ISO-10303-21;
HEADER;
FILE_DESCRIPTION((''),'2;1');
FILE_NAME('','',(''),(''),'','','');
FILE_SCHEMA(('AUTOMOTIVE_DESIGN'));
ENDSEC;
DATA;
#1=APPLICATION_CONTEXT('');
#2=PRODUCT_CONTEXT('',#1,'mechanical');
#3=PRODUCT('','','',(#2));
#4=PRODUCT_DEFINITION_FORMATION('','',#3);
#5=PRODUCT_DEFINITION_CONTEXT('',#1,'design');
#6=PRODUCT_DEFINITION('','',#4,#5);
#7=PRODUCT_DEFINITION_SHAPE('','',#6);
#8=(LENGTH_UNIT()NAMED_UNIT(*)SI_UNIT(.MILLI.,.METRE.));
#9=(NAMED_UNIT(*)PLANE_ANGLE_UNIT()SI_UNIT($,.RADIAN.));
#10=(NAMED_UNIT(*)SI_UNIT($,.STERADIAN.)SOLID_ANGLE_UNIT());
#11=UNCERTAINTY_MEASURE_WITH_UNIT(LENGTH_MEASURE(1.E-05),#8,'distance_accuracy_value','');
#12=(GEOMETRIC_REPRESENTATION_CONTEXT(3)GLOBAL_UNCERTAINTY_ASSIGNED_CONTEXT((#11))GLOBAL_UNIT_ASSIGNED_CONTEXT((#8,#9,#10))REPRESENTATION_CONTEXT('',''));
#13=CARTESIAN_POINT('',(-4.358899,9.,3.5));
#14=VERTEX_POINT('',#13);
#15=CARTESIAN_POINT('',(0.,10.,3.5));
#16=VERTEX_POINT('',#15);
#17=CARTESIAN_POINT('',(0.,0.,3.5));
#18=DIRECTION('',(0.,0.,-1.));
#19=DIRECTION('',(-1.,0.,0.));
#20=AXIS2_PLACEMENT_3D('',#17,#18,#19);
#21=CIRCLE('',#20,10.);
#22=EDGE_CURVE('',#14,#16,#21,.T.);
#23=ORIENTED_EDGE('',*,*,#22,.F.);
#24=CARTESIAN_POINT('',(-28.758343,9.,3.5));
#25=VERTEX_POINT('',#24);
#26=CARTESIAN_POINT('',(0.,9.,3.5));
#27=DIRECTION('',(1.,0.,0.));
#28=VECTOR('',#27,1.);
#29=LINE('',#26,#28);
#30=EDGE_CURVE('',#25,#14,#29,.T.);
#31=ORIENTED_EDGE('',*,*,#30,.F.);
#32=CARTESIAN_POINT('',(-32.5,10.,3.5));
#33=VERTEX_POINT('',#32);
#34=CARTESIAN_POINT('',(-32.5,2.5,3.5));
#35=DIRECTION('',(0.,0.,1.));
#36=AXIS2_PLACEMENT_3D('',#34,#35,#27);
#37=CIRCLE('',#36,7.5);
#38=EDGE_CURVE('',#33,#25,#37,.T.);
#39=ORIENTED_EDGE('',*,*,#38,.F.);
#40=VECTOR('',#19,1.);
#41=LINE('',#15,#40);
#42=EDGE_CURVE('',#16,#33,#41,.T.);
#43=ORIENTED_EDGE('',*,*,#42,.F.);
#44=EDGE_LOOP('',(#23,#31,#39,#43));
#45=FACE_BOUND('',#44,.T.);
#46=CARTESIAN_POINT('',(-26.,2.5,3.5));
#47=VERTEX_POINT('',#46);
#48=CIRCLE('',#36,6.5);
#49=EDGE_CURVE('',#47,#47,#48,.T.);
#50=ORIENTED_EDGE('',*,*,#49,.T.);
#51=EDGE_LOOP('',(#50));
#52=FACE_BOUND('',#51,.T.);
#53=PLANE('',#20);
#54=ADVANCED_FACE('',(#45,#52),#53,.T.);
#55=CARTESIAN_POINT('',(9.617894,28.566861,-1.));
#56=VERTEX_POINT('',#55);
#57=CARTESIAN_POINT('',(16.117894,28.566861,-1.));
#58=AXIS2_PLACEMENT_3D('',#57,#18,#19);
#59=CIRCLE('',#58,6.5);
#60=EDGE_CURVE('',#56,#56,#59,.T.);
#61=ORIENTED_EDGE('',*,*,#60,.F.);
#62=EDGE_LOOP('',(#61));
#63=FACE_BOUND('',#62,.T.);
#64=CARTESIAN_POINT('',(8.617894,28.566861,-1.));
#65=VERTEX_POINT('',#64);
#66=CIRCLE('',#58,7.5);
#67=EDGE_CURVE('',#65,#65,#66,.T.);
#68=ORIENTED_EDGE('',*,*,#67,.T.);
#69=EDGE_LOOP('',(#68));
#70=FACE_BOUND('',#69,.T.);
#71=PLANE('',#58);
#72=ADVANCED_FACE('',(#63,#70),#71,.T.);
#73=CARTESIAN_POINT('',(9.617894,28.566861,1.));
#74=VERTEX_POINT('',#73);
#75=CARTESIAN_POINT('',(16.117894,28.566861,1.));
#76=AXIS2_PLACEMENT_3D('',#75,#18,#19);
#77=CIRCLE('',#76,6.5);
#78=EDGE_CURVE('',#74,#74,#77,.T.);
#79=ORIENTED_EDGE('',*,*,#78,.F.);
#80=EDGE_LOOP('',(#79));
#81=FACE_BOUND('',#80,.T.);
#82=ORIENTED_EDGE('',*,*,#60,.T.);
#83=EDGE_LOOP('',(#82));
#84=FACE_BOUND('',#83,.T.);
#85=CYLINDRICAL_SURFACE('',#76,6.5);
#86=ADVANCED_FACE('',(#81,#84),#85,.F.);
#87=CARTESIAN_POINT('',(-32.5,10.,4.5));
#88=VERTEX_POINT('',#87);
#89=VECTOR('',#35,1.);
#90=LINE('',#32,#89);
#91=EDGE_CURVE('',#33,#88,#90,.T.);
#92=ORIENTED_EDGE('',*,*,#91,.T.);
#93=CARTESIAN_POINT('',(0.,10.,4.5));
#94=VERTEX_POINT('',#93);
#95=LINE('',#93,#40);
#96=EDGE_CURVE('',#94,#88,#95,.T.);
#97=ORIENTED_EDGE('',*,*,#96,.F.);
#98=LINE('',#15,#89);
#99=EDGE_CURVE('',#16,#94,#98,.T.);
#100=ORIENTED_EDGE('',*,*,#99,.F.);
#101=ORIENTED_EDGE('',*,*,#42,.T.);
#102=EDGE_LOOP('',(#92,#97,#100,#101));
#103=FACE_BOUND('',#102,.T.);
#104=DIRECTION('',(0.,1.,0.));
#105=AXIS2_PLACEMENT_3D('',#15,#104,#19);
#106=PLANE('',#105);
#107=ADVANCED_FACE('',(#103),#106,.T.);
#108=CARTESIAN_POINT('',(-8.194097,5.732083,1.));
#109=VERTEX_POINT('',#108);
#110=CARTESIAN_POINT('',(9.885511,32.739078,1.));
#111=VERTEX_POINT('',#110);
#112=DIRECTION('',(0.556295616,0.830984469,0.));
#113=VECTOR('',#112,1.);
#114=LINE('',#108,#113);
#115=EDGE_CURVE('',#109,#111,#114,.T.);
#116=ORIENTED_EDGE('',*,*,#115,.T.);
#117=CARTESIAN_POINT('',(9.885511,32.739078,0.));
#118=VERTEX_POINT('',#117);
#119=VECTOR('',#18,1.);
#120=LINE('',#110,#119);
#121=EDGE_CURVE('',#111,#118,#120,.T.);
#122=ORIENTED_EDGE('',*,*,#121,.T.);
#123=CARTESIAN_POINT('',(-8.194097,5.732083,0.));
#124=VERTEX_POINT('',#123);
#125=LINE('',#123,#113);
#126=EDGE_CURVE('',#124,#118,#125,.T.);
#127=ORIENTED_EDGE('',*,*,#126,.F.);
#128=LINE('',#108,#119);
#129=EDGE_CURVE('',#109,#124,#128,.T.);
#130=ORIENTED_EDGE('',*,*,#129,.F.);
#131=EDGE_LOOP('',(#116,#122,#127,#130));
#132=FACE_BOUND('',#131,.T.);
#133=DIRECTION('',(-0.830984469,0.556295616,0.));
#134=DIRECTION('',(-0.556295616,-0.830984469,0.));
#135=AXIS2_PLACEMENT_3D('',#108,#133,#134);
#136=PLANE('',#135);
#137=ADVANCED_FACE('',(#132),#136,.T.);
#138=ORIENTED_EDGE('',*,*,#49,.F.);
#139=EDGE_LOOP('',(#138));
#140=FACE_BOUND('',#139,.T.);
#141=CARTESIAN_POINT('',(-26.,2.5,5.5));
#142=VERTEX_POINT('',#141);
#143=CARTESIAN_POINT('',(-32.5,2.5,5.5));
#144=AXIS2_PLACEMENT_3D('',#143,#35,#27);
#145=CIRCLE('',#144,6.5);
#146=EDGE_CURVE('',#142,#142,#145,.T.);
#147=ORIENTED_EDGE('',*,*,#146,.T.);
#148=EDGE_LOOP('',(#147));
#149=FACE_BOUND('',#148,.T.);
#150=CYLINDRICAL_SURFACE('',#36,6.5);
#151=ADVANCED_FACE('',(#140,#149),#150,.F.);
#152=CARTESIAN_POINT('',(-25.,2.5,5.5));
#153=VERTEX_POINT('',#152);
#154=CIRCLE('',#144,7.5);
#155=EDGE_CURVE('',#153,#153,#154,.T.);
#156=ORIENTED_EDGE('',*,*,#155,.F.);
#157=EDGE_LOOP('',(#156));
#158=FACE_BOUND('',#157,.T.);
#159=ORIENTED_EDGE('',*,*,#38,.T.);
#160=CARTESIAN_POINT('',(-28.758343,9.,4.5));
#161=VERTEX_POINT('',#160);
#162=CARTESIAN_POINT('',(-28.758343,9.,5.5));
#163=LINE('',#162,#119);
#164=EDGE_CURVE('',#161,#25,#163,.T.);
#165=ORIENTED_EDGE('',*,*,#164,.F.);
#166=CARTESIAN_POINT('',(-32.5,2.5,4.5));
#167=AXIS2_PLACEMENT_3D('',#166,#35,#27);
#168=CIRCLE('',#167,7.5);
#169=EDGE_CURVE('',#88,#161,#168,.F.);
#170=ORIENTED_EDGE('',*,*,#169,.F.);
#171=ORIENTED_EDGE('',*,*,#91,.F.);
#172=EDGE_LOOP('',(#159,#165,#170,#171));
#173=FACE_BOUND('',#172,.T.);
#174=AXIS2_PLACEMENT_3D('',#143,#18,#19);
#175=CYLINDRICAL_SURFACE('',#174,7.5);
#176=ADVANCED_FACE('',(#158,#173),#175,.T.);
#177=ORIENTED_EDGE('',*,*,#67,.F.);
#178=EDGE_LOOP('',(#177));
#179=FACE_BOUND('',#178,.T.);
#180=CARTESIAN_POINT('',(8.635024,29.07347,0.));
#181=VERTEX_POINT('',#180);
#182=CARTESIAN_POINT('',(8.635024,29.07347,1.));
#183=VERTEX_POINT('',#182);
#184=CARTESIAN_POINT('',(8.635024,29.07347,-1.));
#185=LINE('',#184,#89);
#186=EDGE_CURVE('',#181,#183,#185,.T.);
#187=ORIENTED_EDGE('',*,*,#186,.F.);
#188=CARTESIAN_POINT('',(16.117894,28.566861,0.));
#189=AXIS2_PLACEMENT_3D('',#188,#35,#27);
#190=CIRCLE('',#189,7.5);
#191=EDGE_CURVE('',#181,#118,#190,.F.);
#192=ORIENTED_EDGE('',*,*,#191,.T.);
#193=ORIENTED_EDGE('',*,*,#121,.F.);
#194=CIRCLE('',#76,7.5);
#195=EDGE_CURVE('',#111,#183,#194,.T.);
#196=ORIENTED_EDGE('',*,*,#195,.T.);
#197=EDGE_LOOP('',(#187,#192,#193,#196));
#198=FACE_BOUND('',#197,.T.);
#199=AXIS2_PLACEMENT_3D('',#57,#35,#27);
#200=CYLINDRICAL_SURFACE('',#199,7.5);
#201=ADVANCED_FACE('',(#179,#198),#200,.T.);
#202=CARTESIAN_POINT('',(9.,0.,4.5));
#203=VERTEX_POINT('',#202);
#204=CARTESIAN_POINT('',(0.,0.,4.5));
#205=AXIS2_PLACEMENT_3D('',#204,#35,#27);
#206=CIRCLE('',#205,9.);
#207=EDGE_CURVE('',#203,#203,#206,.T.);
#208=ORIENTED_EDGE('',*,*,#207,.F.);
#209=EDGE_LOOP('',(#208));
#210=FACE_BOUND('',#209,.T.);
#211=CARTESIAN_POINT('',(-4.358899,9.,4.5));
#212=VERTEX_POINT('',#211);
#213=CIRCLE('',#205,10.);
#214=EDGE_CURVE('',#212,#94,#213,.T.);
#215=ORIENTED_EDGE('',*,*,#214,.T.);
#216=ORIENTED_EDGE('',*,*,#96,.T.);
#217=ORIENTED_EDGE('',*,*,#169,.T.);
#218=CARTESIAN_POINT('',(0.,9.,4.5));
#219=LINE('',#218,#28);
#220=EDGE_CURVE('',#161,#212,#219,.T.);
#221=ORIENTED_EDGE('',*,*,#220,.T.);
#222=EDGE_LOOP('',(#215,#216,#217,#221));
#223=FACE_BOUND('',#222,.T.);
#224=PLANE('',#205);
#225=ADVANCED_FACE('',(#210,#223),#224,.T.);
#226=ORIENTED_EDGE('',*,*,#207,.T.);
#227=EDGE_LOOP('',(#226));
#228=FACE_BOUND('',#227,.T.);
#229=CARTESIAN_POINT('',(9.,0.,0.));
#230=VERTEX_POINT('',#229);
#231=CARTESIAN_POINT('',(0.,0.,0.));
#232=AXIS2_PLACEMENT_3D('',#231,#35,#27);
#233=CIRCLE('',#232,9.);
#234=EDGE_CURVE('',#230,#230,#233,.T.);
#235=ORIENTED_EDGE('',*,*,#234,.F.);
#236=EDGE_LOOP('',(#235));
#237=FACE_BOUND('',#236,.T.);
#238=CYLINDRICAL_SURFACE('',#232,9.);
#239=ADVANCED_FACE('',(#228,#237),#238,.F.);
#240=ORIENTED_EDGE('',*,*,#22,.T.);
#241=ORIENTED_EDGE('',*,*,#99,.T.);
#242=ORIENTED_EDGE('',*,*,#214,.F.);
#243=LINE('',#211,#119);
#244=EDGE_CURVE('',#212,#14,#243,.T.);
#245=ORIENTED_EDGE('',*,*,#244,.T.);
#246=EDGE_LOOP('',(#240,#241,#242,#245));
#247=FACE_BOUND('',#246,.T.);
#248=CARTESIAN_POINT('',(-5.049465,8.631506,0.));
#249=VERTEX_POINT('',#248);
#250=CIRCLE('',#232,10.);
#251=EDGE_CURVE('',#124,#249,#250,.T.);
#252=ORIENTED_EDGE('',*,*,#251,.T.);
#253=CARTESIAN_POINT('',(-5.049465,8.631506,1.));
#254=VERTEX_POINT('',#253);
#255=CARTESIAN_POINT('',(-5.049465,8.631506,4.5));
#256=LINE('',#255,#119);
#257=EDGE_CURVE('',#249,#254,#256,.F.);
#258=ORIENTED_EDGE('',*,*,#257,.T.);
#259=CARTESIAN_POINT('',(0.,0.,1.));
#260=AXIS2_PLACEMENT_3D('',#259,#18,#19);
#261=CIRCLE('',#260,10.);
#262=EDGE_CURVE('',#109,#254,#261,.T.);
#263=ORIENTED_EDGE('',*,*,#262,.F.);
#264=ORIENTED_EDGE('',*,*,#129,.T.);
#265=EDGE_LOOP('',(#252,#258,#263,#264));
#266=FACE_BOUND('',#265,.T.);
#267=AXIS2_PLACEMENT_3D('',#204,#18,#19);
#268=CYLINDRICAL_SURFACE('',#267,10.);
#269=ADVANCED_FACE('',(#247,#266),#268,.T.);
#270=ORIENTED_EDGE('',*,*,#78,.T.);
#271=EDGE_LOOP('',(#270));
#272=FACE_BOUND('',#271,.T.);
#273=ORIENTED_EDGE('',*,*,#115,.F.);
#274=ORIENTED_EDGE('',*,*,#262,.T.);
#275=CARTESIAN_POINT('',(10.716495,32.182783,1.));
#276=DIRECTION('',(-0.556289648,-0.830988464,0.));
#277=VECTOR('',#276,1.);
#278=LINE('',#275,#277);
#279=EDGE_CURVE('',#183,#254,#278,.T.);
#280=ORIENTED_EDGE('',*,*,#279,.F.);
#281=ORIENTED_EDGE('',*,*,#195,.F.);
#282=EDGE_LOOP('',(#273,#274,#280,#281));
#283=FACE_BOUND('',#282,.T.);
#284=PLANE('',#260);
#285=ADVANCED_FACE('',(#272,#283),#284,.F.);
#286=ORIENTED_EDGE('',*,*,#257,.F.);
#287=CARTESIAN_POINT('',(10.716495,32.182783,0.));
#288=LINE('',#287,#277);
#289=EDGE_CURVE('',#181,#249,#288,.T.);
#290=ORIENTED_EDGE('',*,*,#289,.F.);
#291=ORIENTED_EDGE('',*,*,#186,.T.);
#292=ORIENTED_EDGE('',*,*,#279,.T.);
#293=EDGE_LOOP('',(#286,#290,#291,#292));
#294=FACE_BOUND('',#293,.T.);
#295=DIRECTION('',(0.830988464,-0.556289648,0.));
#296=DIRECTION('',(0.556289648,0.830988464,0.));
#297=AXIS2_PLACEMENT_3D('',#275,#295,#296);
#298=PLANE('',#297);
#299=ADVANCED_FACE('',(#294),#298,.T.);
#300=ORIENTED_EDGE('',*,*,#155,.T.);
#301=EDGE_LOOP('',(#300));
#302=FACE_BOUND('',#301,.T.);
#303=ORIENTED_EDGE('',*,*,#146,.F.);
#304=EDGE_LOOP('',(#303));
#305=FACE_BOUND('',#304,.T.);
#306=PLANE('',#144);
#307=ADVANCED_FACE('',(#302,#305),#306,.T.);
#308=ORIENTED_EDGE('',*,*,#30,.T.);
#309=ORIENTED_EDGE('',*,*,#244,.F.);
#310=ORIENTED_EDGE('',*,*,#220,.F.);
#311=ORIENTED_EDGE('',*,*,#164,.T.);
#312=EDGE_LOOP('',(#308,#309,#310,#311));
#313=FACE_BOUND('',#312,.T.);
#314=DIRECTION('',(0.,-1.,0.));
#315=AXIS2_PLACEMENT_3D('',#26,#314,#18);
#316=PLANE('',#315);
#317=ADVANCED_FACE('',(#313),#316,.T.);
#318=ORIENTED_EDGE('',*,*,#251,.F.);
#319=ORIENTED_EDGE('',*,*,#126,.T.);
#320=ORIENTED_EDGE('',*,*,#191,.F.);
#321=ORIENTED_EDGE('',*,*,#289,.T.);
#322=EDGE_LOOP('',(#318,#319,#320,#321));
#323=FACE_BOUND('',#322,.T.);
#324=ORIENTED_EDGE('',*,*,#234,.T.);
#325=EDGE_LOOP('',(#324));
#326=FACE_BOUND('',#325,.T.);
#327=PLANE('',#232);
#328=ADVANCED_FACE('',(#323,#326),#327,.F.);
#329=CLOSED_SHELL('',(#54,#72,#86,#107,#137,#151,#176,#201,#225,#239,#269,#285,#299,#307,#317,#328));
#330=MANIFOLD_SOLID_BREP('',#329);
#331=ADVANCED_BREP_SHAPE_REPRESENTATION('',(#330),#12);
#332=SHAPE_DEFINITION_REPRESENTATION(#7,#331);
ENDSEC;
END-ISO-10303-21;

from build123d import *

# Parameters (mm, degrees)
SKETCH1_R           = 10
BOSS_EXTRUDE1_DEPTH = 4.5
SKETCH2_R           = 9
CUT_EXTRUDE1_DEPTH  = 4.5
SKETCH3_W           = 32.5
SKETCH3_H           = 1
BOSS_EXTRUDE2_DEPTH = 1
SKETCH5_R           = 7.5
BOSS_EXTRUDE3_DEPTH = 1
SKETCH6_R           = 6.5
CUT_EXTRUDE2_DEPTH  = 2
BOSS_EXTRUDE4_DEPTH = 1
SKETCH9_R           = 7.5
BOSS_EXTRUDE5_DEPTH = 1
SKETCH10_R          = 6.5
CUT_EXTRUDE3_DEPTH  = 2


with BuildPart() as part:
    # Sketch1 → Boss-Extrude1 (new body)
    with BuildSketch(Plane.XY):
        Circle(SKETCH1_R)
    extrude(amount=BOSS_EXTRUDE1_DEPTH)

    # Sketch2 → Cut-Extrude1 (cut)
    with BuildSketch(Plane.XY.offset(4.5)):
        Circle(SKETCH2_R)
    extrude(amount=-CUT_EXTRUDE1_DEPTH, mode=Mode.SUBTRACT)

    # Sketch3 → Boss-Extrude2 (add)
    with BuildSketch(Plane.XY.offset(4.5)):
        with Locations((-16.25, 9.5)):
            Rectangle(SKETCH3_W, SKETCH3_H)
    extrude(amount=-BOSS_EXTRUDE2_DEPTH)

    # Sketch5 → Boss-Extrude3 (add, symmetric)
    with BuildSketch(Plane.XY.offset(4.5)):
        with Locations((-32.5, 2.5)):
            Circle(SKETCH5_R)
    extrude(amount=BOSS_EXTRUDE3_DEPTH, both=True)

    # Sketch6 → Cut-Extrude2 (cut)
    with BuildSketch(Plane.XY.offset(5.5)):
        with Locations((-32.5, 2.5)):
            Circle(SKETCH6_R)
    extrude(amount=-CUT_EXTRUDE2_DEPTH, mode=Mode.SUBTRACT)

    # Sketch8 → Boss-Extrude4 (add)
    with BuildSketch(Plane(origin=(0, 0, 0), x_dir=(-1, 0, 0), z_dir=(0, 0, -1))):
        Polygon((8.194096935, 5.732082992), (-9.885510569, 32.739078243), (-10.716495038, 32.182782628), (7.362918515, 5.175657537), align=None)
    extrude(amount=-BOSS_EXTRUDE4_DEPTH)

    # Sketch9 → Boss-Extrude5 (add, symmetric)
    with BuildSketch(Plane(origin=(0, 0, 0), x_dir=(-1, 0, 0), z_dir=(0, 0, -1))):
        with Locations((-16.117894088, 28.566861127)):
            Circle(SKETCH9_R)
    extrude(amount=BOSS_EXTRUDE5_DEPTH, both=True)

    # Sketch10 → Cut-Extrude3 (cut)
    with BuildSketch(Plane(origin=(0, 0, -1), x_dir=(-1, 0, 0), z_dir=(0, 0, -1))):
        with Locations((-16.117894088, 28.566861127)):
            Circle(SKETCH10_R)
    extrude(amount=-CUT_EXTRUDE3_DEPTH, mode=Mode.SUBTRACT)


solid = part.part
